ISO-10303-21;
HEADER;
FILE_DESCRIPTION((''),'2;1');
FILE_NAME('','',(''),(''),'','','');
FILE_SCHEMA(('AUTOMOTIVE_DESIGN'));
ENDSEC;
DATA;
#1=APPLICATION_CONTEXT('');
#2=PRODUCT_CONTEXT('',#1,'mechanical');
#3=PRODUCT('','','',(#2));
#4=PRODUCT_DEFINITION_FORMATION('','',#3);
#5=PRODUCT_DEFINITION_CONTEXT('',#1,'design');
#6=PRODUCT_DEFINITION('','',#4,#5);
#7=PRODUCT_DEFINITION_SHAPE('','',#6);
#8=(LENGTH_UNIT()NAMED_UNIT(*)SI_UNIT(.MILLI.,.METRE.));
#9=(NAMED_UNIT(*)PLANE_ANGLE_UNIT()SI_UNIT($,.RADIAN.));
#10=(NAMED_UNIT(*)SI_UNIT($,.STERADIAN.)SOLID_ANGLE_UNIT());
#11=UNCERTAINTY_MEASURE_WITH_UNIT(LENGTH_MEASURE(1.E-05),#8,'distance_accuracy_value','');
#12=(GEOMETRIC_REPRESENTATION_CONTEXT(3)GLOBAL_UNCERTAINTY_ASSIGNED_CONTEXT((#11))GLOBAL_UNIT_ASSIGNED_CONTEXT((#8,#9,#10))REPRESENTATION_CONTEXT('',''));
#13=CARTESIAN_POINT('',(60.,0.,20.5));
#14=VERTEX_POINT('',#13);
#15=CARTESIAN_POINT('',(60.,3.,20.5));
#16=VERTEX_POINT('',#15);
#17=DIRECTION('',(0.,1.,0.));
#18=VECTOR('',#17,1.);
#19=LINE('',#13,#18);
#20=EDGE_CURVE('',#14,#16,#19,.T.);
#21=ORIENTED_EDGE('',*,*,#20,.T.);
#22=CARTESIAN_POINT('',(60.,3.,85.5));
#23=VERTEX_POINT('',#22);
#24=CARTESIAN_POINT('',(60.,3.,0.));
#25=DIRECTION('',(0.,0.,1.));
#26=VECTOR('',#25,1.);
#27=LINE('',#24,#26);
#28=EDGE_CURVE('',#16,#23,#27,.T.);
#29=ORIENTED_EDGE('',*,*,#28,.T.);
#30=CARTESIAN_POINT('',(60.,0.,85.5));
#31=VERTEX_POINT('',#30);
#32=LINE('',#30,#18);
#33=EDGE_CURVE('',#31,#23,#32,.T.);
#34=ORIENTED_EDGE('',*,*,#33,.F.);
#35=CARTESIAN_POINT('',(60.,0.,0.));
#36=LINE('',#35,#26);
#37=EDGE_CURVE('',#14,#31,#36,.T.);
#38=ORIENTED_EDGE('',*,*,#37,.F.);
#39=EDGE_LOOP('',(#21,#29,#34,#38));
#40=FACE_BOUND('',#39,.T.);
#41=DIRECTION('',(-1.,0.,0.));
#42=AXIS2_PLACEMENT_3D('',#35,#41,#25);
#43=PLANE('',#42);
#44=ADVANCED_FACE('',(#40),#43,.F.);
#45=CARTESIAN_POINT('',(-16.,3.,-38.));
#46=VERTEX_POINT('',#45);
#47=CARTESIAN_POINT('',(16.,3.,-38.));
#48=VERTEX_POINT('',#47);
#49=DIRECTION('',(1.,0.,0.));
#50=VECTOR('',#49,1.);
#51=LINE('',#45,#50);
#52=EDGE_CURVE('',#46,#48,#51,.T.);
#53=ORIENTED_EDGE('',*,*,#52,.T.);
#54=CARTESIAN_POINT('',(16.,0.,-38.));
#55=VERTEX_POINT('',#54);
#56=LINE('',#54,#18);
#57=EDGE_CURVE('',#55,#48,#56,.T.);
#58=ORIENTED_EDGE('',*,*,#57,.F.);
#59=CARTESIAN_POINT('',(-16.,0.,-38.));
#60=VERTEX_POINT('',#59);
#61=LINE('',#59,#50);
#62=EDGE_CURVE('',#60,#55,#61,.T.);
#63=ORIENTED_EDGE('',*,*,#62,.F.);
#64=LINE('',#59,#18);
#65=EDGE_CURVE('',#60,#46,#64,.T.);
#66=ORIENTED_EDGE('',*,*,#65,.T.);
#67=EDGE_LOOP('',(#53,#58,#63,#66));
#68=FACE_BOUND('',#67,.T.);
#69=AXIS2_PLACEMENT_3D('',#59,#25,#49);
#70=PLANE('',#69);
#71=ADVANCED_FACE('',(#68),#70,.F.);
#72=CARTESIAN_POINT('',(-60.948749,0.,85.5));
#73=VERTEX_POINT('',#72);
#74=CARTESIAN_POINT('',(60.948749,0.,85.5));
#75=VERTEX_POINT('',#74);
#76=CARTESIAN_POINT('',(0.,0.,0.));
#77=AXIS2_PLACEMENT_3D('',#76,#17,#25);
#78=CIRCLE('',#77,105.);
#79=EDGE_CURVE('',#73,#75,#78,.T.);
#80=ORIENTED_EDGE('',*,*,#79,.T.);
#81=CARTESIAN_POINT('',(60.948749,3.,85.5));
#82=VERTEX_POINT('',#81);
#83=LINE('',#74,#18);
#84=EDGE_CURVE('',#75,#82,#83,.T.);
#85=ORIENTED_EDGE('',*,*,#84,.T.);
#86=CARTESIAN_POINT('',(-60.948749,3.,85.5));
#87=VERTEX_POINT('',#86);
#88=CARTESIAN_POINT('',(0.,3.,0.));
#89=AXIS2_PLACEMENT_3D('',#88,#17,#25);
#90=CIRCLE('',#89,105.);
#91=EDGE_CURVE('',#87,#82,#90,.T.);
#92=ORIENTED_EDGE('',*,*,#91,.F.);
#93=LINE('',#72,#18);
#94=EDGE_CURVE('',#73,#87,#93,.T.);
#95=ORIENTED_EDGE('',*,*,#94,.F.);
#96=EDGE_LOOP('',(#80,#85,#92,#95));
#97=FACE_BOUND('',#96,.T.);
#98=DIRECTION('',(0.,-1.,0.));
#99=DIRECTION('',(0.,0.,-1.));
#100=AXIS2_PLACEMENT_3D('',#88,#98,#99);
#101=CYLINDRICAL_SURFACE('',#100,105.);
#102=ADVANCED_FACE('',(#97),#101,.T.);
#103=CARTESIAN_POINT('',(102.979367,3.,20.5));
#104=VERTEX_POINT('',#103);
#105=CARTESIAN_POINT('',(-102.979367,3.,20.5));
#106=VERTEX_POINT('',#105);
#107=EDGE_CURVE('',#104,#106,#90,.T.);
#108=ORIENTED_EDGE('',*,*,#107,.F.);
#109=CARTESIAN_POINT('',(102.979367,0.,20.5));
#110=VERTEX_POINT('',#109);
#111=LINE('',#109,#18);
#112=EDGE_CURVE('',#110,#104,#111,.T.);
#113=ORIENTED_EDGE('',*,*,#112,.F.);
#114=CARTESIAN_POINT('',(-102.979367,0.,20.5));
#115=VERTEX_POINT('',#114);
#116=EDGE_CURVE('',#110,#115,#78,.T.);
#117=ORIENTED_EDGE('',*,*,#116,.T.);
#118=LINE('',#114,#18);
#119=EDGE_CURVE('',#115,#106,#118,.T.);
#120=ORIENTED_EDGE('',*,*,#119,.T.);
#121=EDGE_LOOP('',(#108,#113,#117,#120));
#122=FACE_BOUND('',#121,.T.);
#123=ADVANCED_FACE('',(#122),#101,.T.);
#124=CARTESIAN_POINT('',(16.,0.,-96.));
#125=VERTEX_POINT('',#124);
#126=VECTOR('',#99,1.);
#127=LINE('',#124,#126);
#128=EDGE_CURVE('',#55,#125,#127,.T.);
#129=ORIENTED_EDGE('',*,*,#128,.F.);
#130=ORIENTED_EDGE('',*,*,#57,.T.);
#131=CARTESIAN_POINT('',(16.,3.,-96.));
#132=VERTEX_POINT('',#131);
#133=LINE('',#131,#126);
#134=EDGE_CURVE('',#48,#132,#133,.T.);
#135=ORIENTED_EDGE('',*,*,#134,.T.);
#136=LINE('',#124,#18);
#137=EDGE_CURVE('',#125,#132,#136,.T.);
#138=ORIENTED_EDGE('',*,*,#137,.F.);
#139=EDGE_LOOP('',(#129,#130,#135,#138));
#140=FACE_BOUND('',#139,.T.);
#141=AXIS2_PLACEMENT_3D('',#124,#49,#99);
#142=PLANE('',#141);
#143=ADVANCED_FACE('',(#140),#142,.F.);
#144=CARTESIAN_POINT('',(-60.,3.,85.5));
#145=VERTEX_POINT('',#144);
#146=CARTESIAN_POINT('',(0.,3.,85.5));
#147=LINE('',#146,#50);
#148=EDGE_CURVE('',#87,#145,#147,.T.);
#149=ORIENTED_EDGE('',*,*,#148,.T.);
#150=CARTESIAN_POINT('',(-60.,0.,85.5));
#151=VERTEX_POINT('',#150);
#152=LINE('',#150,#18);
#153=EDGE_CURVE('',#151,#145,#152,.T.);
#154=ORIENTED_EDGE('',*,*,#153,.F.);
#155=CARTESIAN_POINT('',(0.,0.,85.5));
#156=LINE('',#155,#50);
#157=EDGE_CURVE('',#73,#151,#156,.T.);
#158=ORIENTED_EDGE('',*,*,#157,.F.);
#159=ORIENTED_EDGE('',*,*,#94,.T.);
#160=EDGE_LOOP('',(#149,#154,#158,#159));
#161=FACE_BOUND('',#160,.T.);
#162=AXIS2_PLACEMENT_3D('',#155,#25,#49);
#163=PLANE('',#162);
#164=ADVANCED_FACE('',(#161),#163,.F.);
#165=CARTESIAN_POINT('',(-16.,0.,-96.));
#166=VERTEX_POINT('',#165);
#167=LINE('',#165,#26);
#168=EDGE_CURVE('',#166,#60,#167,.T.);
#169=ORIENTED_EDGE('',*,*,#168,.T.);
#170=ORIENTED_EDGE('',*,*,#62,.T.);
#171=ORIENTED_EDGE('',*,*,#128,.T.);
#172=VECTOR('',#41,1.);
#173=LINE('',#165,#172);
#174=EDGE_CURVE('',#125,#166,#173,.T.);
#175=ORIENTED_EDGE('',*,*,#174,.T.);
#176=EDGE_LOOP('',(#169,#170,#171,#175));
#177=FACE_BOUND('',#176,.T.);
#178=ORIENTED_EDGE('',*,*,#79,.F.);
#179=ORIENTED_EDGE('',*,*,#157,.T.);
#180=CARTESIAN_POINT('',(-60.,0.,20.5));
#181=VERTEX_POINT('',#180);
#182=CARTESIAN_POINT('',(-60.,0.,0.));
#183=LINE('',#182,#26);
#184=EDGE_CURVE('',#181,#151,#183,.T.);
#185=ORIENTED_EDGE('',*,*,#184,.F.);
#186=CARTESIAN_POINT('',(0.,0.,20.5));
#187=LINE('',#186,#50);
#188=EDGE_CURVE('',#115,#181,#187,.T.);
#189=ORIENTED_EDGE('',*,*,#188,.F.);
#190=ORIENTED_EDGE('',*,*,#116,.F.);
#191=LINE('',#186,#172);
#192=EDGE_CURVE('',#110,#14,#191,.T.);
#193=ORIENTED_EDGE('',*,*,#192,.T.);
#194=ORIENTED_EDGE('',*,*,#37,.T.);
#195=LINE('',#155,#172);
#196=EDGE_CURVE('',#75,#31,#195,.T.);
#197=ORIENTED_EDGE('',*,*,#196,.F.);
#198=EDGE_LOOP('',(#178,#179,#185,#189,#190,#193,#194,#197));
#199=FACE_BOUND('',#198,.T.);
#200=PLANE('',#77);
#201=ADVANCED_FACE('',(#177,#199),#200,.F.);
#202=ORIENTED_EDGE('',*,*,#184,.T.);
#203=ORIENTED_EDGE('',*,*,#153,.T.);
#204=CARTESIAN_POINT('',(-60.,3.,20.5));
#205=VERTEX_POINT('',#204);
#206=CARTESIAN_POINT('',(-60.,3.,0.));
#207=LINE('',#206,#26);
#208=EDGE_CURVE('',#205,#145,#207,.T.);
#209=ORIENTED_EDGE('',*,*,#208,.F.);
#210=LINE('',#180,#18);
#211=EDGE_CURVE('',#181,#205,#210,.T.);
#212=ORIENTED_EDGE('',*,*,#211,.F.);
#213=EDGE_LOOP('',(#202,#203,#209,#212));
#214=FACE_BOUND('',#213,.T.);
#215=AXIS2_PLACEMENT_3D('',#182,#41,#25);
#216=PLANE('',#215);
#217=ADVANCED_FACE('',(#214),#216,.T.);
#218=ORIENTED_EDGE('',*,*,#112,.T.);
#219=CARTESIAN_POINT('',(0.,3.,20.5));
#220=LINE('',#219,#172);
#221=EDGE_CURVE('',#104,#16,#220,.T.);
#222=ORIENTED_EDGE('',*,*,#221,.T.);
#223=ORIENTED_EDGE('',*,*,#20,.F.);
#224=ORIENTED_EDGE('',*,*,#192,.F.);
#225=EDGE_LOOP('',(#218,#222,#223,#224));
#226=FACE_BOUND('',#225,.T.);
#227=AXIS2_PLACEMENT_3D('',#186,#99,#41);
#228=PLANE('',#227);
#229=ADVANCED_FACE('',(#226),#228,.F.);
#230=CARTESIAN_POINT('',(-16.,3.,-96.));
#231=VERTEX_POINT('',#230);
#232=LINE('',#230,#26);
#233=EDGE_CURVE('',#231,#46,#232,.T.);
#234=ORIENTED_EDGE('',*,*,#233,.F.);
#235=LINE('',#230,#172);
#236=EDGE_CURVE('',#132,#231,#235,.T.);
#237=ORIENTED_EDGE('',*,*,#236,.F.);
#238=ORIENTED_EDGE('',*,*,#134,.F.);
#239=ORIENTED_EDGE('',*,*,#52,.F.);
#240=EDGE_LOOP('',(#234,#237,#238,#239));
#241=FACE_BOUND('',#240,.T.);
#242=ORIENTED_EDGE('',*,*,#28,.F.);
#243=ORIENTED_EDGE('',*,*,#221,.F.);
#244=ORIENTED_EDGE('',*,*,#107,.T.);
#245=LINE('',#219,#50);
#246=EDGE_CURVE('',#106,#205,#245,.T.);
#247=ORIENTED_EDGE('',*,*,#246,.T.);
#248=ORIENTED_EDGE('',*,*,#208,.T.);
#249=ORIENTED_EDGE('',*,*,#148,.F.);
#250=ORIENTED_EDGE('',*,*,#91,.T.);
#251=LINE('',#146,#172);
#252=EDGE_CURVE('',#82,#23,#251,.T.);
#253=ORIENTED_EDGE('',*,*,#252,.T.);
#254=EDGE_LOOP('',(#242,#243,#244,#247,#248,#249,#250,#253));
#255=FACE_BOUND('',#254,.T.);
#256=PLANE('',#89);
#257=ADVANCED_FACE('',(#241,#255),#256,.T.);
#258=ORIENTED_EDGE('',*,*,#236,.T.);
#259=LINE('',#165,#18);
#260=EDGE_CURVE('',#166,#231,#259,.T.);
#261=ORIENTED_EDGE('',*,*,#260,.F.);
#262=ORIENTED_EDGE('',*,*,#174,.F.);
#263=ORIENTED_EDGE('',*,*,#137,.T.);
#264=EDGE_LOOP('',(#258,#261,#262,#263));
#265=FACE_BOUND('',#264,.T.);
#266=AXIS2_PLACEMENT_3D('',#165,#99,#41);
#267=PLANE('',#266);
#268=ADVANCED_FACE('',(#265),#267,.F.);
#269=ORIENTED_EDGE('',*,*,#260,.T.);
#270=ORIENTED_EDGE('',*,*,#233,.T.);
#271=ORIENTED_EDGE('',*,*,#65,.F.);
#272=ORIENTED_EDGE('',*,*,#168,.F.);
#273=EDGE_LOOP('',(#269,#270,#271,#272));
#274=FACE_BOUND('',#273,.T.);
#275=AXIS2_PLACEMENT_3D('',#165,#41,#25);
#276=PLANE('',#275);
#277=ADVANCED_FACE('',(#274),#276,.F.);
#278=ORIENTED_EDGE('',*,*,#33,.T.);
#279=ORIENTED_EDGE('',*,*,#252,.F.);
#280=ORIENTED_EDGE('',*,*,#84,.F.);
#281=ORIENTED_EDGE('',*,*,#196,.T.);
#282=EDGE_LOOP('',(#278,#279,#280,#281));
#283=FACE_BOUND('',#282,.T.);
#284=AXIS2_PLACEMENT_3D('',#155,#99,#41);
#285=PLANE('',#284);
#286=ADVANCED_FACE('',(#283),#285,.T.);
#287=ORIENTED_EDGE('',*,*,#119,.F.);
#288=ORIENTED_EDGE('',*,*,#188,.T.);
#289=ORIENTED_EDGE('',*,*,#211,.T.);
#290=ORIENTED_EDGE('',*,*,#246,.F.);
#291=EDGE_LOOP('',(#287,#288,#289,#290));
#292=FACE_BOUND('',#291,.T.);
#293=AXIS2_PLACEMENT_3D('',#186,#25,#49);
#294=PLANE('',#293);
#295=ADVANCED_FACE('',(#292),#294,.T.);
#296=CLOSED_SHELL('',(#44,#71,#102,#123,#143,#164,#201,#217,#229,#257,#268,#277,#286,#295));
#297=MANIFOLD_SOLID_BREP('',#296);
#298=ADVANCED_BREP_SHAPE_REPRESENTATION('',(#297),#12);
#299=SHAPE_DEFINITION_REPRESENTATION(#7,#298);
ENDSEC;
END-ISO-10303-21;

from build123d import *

# Parameters (mm, degrees)
SKETCH_1_R            = 105
EXTRUDE_359_DEPTH     = 3
CUT_EXTRUDE_769_DEPTH = 149.522725534
SKETCH_6_W            = 32
SKETCH_6_H            = 58
CUT_EXTRUDE_989_DEPTH = 149.522725534


with BuildPart() as part:
    # 草图1 → Extrude 359 (new body)
    with BuildSketch(Plane(origin=(0, 0, 0), x_dir=(1, 0, 0), z_dir=(0, 1, 0))):
        with Locations(Location((0, 0, 0), (0, 0, 270))):
            Circle(SKETCH_1_R)
    extrude(amount=EXTRUDE_359_DEPTH)

    # 草图5 → Cut-Extrude 769 (cut, through all)
    with BuildSketch(Plane(origin=(0, 3, 0), x_dir=(1, 0, 0), z_dir=(0, 1, 0))):
        with BuildLine():
            Line((-60, -20.5), (-102.979366865, -20.5))
            ThreePointArc((-102.979366865, -20.5), (-88.172313056, -57.014412304), (-60.948748962, -85.5))
            Line((-60.948748962, -85.5), (-60, -85.5))
            Line((-60, -85.5), (-60, -20.5))
        make_face()
        with BuildLine():
            ThreePointArc((60.948748962, -85.5), (88.172313056, -57.014412304), (102.979366865, -20.5))
            Line((102.979366865, -20.5), (60, -20.5))
            Line((60, -20.5), (60, -85.5))
            Line((60, -85.5), (60.948748962, -85.5))
        make_face()
    extrude(amount=-CUT_EXTRUDE_769_DEPTH, mode=Mode.SUBTRACT)

    # 草图6 → Cut-Extrude 989 (cut, through all)
    with BuildSketch(Plane(origin=(0, 3, 0), x_dir=(1, 0, 0), z_dir=(0, 1, 0))):
        with Locations((0, 67)):
            Rectangle(SKETCH_6_W, SKETCH_6_H)
    extrude(amount=-CUT_EXTRUDE_989_DEPTH, mode=Mode.SUBTRACT)


solid = part.part
